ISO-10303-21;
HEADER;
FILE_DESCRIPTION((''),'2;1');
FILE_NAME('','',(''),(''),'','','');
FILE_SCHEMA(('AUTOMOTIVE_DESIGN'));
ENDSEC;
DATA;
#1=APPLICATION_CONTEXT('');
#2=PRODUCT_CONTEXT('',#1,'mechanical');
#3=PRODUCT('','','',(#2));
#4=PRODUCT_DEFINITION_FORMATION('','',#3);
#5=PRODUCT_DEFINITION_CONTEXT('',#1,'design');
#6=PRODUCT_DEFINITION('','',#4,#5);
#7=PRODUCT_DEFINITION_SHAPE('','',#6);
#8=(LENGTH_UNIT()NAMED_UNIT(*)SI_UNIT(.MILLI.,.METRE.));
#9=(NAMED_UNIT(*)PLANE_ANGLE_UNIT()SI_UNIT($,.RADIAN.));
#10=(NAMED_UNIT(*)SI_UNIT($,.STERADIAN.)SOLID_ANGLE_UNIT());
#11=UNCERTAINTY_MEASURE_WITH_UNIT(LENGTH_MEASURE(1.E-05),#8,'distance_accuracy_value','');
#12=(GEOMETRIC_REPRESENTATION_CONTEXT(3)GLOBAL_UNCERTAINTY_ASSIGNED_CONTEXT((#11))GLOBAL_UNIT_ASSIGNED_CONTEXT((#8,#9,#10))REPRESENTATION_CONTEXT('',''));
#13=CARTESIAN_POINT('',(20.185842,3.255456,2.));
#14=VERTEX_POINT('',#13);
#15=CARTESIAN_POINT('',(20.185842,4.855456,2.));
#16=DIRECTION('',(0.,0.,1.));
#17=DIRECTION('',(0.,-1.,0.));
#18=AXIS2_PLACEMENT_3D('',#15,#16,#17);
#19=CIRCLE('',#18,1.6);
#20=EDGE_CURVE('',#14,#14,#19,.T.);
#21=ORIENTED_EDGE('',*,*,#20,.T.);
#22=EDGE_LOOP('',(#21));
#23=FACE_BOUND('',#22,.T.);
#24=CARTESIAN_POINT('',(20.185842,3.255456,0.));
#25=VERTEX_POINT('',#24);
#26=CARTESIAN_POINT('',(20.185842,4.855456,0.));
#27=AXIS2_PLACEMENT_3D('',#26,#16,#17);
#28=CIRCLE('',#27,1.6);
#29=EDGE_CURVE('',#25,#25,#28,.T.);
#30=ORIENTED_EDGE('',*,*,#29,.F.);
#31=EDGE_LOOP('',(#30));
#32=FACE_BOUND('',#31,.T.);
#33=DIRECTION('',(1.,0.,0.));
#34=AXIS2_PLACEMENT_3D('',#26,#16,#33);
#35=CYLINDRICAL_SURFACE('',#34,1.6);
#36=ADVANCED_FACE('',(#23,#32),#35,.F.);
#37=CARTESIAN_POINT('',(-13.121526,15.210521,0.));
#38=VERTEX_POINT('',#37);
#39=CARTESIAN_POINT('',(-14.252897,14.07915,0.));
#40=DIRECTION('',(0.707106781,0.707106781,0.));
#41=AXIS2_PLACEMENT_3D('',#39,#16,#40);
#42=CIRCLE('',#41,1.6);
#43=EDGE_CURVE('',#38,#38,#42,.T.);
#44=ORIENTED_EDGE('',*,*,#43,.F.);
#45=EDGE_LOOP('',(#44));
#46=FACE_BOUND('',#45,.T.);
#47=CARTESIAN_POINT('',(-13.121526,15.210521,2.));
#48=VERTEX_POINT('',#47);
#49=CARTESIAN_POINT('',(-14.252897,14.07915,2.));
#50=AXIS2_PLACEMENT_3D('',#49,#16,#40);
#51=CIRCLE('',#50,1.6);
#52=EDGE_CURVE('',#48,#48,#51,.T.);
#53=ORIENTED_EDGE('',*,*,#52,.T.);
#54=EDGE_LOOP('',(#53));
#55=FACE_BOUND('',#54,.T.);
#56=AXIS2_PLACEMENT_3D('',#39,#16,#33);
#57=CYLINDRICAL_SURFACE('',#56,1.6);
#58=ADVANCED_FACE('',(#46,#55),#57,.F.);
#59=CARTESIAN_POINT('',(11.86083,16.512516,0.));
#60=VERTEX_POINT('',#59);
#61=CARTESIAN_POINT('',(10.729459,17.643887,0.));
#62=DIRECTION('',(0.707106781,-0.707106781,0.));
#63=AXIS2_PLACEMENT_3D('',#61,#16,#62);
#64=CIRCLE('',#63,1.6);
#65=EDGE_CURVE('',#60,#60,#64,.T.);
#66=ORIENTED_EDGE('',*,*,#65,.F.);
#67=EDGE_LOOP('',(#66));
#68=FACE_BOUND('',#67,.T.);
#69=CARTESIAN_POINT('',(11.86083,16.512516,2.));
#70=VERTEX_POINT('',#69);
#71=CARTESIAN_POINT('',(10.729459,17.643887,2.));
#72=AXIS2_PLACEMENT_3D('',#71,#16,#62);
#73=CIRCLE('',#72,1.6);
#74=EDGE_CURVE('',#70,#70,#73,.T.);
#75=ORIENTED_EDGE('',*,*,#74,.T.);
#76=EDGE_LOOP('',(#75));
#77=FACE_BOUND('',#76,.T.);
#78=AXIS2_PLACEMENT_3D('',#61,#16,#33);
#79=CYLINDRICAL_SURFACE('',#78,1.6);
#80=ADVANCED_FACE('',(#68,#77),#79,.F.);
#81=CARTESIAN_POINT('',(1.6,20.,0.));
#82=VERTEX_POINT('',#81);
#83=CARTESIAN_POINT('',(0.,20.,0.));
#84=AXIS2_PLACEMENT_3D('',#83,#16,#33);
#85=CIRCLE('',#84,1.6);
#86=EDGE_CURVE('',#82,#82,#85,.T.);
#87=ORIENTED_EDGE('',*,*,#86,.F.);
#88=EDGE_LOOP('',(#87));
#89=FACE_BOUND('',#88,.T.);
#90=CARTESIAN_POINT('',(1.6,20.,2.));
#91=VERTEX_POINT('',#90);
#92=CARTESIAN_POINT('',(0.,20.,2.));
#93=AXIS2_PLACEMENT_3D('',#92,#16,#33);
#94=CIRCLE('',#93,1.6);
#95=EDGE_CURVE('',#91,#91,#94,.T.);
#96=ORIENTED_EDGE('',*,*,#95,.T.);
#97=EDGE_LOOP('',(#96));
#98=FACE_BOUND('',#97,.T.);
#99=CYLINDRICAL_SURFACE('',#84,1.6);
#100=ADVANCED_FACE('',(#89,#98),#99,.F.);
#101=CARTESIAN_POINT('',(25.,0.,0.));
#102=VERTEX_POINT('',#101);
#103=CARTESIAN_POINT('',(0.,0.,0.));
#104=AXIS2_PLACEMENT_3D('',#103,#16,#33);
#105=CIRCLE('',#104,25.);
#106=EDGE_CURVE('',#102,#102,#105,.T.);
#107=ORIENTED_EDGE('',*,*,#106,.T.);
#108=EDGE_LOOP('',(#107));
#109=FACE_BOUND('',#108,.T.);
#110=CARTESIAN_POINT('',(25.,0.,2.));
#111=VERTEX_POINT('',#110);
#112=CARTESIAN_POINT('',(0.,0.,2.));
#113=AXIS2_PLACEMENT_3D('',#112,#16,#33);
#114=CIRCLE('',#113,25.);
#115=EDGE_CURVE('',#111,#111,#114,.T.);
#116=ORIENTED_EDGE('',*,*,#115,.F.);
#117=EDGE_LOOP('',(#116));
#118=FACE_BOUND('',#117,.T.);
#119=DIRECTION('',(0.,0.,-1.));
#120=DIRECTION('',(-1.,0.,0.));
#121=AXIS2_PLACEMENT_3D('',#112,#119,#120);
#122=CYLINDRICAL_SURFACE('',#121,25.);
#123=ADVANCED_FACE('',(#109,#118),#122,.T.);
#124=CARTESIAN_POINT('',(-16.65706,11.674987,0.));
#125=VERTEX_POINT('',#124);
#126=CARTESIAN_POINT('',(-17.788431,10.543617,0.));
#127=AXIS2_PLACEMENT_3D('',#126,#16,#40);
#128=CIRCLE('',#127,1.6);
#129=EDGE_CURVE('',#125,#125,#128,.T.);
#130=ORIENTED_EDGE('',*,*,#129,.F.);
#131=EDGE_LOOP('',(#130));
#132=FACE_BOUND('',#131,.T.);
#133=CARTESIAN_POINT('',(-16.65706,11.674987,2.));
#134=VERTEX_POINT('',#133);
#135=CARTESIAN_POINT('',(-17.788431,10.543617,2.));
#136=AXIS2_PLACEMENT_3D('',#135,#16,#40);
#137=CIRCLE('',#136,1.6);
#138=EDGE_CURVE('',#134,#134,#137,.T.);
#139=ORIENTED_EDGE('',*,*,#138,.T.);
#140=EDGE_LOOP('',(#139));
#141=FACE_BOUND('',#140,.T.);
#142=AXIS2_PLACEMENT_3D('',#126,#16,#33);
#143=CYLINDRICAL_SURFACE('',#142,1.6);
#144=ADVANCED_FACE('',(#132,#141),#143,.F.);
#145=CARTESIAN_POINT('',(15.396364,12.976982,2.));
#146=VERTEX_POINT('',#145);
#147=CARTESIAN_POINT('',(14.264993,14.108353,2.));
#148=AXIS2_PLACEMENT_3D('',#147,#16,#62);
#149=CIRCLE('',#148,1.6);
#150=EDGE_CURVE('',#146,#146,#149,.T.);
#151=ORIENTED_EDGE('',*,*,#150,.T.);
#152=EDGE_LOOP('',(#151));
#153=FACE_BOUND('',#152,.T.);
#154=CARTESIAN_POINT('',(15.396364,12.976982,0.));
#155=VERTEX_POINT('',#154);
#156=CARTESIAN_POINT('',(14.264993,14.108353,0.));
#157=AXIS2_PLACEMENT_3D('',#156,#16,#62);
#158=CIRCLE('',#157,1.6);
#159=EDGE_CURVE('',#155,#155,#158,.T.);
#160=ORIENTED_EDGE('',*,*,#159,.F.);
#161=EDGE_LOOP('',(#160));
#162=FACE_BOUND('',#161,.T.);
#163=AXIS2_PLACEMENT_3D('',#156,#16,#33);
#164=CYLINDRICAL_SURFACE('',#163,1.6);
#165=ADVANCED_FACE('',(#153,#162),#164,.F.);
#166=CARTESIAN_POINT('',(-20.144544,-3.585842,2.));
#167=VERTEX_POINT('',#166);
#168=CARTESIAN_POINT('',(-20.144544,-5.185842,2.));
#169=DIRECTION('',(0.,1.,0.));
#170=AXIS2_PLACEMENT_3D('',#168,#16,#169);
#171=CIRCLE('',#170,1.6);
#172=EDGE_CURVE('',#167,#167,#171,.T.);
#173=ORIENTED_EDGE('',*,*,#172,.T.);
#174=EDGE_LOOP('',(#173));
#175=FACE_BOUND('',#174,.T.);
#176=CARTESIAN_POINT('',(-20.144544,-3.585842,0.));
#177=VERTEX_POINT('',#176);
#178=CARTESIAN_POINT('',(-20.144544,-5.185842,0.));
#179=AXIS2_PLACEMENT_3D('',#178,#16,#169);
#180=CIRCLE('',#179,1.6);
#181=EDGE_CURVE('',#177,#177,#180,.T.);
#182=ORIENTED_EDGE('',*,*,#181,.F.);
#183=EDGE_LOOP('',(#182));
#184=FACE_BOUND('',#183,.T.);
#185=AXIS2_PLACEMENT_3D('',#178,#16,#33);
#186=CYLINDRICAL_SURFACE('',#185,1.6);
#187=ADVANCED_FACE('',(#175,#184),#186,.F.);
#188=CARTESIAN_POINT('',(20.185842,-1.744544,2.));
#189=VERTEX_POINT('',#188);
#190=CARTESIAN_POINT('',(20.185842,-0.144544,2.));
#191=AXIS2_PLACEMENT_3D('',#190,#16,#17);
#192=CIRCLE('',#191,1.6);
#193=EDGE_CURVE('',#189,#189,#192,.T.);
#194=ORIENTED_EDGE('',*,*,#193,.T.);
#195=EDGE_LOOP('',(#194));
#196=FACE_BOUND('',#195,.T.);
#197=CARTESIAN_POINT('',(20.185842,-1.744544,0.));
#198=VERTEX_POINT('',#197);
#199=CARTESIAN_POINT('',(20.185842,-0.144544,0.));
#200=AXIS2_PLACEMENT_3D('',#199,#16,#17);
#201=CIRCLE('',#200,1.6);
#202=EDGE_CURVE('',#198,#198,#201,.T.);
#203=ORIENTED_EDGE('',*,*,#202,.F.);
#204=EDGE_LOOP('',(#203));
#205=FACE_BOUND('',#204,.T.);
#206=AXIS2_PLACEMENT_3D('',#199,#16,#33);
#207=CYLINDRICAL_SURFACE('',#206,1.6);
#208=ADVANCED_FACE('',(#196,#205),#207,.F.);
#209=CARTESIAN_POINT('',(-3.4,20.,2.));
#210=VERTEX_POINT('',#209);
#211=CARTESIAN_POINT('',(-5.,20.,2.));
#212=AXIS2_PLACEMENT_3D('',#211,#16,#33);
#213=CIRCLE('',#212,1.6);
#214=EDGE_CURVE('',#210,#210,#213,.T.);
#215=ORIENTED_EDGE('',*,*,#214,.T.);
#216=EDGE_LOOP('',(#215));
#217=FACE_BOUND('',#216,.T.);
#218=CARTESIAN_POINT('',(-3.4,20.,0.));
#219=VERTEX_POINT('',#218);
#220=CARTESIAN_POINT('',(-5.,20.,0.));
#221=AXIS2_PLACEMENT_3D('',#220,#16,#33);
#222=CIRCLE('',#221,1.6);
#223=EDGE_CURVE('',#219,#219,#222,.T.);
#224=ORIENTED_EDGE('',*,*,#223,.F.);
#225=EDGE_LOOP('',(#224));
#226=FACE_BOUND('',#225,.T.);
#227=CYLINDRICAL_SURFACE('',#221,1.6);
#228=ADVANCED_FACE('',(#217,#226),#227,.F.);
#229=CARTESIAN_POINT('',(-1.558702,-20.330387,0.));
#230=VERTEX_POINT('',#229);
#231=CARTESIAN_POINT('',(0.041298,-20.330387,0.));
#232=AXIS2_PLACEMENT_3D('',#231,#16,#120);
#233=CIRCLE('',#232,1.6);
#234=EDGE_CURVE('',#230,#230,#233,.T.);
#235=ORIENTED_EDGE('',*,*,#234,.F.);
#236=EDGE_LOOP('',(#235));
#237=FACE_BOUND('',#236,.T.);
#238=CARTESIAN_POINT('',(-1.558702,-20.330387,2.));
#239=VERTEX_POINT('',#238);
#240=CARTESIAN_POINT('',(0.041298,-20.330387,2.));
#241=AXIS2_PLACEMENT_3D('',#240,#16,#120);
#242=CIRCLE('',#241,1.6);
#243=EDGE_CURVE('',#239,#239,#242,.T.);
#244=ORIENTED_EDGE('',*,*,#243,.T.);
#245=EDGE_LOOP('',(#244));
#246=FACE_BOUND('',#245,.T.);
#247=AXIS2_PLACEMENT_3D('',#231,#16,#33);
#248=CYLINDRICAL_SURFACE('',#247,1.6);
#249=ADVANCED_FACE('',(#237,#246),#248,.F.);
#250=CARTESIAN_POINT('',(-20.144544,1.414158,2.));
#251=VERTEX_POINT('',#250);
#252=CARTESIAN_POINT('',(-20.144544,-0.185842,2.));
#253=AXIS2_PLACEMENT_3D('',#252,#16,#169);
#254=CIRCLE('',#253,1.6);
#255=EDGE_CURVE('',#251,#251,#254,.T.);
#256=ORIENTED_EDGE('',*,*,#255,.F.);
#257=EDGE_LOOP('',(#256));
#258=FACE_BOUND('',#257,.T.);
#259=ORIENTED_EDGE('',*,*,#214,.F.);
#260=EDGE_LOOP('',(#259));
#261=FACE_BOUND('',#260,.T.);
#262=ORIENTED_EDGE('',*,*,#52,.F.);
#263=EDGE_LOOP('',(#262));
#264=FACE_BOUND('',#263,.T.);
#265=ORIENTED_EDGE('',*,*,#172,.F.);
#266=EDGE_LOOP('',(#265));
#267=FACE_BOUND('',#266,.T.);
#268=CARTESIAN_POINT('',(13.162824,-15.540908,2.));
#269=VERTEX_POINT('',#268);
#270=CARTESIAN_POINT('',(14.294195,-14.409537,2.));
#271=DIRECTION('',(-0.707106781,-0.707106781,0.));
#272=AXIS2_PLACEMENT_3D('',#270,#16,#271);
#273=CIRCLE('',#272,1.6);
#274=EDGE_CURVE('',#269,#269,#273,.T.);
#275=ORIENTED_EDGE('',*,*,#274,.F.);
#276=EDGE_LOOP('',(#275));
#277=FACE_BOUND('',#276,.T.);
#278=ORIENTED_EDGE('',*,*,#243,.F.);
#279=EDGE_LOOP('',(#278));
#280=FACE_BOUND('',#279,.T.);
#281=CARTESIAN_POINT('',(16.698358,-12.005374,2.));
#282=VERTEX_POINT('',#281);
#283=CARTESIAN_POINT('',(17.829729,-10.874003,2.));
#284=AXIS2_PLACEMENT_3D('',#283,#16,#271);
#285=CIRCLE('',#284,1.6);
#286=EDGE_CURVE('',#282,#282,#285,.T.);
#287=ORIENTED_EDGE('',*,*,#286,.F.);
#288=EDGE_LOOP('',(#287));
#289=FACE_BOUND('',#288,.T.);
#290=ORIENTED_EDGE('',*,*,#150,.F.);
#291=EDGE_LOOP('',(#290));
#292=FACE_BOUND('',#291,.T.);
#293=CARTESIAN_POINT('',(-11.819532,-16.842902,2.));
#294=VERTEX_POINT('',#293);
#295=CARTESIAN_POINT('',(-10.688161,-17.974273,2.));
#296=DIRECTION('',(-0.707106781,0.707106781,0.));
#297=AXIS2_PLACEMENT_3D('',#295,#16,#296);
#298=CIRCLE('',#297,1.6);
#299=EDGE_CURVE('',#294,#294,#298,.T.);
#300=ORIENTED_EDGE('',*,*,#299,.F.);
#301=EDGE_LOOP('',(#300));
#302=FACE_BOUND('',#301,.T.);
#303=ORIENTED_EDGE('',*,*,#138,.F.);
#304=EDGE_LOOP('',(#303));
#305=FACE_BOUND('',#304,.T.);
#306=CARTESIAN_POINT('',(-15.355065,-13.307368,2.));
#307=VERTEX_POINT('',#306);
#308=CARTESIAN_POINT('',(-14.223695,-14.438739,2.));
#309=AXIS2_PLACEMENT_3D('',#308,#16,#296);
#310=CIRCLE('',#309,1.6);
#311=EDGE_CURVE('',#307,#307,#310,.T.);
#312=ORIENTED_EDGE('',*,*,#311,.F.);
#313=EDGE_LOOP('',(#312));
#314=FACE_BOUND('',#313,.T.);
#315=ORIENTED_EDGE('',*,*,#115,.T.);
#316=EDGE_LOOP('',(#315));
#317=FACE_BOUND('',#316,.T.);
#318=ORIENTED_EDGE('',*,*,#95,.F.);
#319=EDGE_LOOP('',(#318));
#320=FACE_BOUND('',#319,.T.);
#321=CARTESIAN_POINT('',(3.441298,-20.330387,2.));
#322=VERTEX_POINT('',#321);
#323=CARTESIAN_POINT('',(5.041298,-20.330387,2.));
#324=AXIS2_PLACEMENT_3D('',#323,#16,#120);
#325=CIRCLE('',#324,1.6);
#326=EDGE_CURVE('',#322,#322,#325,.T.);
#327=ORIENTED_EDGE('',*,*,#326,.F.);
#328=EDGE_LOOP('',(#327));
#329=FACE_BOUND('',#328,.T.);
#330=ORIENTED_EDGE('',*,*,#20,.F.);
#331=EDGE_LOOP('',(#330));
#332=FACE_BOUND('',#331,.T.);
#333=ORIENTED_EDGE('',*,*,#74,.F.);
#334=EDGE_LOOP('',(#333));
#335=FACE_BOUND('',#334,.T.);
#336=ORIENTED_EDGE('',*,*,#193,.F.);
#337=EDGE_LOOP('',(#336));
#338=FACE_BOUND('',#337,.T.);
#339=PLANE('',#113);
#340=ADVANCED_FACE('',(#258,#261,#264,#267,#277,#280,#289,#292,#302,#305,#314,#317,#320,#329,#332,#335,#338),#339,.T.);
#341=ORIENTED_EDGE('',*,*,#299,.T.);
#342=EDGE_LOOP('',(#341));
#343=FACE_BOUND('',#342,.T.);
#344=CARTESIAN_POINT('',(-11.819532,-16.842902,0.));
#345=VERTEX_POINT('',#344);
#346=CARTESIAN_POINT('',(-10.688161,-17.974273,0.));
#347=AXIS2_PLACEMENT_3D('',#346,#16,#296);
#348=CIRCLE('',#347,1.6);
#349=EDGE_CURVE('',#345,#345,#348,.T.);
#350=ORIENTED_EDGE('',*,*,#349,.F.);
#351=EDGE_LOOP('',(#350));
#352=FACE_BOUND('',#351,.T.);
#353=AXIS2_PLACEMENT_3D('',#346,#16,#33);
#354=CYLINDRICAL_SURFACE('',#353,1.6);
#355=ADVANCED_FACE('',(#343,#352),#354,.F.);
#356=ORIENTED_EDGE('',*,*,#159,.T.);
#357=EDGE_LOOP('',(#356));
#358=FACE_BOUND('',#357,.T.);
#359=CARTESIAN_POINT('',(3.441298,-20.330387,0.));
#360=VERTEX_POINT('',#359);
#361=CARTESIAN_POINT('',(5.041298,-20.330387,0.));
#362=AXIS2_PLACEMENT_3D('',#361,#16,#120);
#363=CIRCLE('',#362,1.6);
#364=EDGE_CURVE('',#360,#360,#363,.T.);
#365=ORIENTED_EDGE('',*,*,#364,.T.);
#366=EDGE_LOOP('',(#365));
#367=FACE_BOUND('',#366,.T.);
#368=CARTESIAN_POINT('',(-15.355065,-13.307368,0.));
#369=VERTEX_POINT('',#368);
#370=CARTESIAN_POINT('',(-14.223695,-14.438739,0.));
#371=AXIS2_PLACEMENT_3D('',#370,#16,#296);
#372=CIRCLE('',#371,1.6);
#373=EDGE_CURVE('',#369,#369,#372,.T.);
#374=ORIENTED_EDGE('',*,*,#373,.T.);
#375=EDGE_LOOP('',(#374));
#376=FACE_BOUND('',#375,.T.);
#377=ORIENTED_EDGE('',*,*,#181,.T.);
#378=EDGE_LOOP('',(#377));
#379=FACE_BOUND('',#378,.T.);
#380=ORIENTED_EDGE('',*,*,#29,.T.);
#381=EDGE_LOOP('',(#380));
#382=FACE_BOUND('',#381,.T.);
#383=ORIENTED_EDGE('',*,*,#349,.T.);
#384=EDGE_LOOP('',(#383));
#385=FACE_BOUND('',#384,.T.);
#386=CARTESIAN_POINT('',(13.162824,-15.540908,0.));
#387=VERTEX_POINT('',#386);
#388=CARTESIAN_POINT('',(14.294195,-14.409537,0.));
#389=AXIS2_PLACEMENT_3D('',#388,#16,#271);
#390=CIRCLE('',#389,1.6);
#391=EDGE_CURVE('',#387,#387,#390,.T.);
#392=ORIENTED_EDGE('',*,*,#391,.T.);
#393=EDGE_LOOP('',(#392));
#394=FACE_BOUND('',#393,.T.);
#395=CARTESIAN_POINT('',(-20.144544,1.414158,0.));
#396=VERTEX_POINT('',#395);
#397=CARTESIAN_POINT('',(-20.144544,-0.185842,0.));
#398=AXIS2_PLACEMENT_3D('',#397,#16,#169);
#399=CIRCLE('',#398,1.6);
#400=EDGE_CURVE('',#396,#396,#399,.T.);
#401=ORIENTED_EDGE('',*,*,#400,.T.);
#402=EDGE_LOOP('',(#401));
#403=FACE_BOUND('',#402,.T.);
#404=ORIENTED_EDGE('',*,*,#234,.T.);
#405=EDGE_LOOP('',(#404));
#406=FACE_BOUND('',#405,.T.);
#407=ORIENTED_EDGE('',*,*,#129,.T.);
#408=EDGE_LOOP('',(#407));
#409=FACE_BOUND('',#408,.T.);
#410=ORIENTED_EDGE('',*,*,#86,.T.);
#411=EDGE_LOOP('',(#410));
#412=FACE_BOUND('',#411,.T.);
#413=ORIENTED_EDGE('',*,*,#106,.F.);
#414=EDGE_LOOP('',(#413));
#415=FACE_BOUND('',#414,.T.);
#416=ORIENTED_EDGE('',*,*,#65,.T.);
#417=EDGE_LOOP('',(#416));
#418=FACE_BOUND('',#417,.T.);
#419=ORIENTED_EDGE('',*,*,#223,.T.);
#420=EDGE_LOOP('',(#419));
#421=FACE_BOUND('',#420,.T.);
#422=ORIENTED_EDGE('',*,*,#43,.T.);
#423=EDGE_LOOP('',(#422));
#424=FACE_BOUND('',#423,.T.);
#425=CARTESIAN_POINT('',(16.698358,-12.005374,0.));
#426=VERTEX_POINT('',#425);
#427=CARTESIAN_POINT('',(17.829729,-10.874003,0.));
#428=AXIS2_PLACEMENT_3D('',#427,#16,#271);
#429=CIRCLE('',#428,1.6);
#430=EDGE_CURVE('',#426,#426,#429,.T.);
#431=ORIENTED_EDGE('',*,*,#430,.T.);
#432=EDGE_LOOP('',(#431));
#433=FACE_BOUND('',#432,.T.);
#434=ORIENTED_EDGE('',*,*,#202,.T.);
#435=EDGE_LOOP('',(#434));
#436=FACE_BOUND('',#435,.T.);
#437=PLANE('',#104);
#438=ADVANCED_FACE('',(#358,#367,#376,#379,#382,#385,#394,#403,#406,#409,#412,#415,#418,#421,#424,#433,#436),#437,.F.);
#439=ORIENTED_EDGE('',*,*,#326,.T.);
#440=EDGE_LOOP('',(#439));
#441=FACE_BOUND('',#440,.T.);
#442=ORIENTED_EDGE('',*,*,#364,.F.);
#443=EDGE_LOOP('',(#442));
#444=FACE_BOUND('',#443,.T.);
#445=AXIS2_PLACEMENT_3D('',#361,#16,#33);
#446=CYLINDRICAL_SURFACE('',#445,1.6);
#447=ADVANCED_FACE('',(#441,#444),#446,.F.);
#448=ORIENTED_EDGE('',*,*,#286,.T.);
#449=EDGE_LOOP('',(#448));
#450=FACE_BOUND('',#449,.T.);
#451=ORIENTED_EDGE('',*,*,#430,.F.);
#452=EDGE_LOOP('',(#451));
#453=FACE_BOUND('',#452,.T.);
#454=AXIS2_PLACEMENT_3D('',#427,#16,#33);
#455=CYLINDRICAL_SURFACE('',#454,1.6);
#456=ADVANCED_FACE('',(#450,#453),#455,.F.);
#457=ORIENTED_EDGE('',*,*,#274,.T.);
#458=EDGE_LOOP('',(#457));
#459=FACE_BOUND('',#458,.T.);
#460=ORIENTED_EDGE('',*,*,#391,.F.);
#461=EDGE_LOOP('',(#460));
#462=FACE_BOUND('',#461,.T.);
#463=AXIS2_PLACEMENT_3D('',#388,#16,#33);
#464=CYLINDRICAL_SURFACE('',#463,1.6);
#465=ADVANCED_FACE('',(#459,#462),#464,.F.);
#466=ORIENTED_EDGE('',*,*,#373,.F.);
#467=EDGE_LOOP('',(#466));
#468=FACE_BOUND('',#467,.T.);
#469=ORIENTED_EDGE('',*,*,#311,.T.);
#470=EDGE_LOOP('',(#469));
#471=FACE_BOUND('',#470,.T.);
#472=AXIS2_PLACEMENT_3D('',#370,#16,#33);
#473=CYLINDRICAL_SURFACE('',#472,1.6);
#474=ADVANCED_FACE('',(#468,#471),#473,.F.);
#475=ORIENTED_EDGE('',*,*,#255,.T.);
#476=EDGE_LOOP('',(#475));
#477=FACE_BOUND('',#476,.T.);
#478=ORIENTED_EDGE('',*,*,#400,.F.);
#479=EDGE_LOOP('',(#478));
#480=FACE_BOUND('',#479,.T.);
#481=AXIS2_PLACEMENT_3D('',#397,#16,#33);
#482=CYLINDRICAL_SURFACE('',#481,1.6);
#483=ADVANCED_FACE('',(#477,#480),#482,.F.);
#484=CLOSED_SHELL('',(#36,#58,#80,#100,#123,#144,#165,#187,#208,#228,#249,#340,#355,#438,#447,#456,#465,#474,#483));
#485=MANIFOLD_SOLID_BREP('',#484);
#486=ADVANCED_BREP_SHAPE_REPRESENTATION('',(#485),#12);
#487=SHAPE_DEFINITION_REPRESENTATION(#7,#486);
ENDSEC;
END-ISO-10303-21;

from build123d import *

# Parameters (mm, degrees)
SKETCH_1_R               = 25
EXTRUDE_1_DEPTH          = 2
SKETCH_2_R               = 1.6
CUT_EXTRUDE_1_DEPTH      = 2
PATTERN_CIRCULAR_1_COUNT = 8


with BuildPart() as part:
    # ｽｹｯﾁ1 → ﾎﾞｽ - 押し出し1 (new body)
    with BuildSketch(Plane.XY):
        Circle(SKETCH_1_R)
    extrude(amount=EXTRUDE_1_DEPTH)

    # ｽｹｯﾁ2 → ｶｯﾄ - 押し出し1 (cut)
    with BuildSketch(Plane.XY.offset(2)):
        with Locations((0, 20)):
            Circle(SKETCH_2_R)
        with Locations((-5, 20)):
            Circle(SKETCH_2_R)
    cut_extrude_1 = extrude(amount=-CUT_EXTRUDE_1_DEPTH, mode=Mode.SUBTRACT)

    # 円形ﾊﾟﾀｰﾝ1: ｶｯﾄ - 押し出し1 ×8 about axis
    pattern_circular_1_axis = Axis((0.020649158, -0.165193263, 0), (0, 0, 1))
    for i in range(1, PATTERN_CIRCULAR_1_COUNT):
        add(cut_extrude_1.rotate(pattern_circular_1_axis, i * 360 / PATTERN_CIRCULAR_1_COUNT), mode=Mode.SUBTRACT)


solid = part.part
